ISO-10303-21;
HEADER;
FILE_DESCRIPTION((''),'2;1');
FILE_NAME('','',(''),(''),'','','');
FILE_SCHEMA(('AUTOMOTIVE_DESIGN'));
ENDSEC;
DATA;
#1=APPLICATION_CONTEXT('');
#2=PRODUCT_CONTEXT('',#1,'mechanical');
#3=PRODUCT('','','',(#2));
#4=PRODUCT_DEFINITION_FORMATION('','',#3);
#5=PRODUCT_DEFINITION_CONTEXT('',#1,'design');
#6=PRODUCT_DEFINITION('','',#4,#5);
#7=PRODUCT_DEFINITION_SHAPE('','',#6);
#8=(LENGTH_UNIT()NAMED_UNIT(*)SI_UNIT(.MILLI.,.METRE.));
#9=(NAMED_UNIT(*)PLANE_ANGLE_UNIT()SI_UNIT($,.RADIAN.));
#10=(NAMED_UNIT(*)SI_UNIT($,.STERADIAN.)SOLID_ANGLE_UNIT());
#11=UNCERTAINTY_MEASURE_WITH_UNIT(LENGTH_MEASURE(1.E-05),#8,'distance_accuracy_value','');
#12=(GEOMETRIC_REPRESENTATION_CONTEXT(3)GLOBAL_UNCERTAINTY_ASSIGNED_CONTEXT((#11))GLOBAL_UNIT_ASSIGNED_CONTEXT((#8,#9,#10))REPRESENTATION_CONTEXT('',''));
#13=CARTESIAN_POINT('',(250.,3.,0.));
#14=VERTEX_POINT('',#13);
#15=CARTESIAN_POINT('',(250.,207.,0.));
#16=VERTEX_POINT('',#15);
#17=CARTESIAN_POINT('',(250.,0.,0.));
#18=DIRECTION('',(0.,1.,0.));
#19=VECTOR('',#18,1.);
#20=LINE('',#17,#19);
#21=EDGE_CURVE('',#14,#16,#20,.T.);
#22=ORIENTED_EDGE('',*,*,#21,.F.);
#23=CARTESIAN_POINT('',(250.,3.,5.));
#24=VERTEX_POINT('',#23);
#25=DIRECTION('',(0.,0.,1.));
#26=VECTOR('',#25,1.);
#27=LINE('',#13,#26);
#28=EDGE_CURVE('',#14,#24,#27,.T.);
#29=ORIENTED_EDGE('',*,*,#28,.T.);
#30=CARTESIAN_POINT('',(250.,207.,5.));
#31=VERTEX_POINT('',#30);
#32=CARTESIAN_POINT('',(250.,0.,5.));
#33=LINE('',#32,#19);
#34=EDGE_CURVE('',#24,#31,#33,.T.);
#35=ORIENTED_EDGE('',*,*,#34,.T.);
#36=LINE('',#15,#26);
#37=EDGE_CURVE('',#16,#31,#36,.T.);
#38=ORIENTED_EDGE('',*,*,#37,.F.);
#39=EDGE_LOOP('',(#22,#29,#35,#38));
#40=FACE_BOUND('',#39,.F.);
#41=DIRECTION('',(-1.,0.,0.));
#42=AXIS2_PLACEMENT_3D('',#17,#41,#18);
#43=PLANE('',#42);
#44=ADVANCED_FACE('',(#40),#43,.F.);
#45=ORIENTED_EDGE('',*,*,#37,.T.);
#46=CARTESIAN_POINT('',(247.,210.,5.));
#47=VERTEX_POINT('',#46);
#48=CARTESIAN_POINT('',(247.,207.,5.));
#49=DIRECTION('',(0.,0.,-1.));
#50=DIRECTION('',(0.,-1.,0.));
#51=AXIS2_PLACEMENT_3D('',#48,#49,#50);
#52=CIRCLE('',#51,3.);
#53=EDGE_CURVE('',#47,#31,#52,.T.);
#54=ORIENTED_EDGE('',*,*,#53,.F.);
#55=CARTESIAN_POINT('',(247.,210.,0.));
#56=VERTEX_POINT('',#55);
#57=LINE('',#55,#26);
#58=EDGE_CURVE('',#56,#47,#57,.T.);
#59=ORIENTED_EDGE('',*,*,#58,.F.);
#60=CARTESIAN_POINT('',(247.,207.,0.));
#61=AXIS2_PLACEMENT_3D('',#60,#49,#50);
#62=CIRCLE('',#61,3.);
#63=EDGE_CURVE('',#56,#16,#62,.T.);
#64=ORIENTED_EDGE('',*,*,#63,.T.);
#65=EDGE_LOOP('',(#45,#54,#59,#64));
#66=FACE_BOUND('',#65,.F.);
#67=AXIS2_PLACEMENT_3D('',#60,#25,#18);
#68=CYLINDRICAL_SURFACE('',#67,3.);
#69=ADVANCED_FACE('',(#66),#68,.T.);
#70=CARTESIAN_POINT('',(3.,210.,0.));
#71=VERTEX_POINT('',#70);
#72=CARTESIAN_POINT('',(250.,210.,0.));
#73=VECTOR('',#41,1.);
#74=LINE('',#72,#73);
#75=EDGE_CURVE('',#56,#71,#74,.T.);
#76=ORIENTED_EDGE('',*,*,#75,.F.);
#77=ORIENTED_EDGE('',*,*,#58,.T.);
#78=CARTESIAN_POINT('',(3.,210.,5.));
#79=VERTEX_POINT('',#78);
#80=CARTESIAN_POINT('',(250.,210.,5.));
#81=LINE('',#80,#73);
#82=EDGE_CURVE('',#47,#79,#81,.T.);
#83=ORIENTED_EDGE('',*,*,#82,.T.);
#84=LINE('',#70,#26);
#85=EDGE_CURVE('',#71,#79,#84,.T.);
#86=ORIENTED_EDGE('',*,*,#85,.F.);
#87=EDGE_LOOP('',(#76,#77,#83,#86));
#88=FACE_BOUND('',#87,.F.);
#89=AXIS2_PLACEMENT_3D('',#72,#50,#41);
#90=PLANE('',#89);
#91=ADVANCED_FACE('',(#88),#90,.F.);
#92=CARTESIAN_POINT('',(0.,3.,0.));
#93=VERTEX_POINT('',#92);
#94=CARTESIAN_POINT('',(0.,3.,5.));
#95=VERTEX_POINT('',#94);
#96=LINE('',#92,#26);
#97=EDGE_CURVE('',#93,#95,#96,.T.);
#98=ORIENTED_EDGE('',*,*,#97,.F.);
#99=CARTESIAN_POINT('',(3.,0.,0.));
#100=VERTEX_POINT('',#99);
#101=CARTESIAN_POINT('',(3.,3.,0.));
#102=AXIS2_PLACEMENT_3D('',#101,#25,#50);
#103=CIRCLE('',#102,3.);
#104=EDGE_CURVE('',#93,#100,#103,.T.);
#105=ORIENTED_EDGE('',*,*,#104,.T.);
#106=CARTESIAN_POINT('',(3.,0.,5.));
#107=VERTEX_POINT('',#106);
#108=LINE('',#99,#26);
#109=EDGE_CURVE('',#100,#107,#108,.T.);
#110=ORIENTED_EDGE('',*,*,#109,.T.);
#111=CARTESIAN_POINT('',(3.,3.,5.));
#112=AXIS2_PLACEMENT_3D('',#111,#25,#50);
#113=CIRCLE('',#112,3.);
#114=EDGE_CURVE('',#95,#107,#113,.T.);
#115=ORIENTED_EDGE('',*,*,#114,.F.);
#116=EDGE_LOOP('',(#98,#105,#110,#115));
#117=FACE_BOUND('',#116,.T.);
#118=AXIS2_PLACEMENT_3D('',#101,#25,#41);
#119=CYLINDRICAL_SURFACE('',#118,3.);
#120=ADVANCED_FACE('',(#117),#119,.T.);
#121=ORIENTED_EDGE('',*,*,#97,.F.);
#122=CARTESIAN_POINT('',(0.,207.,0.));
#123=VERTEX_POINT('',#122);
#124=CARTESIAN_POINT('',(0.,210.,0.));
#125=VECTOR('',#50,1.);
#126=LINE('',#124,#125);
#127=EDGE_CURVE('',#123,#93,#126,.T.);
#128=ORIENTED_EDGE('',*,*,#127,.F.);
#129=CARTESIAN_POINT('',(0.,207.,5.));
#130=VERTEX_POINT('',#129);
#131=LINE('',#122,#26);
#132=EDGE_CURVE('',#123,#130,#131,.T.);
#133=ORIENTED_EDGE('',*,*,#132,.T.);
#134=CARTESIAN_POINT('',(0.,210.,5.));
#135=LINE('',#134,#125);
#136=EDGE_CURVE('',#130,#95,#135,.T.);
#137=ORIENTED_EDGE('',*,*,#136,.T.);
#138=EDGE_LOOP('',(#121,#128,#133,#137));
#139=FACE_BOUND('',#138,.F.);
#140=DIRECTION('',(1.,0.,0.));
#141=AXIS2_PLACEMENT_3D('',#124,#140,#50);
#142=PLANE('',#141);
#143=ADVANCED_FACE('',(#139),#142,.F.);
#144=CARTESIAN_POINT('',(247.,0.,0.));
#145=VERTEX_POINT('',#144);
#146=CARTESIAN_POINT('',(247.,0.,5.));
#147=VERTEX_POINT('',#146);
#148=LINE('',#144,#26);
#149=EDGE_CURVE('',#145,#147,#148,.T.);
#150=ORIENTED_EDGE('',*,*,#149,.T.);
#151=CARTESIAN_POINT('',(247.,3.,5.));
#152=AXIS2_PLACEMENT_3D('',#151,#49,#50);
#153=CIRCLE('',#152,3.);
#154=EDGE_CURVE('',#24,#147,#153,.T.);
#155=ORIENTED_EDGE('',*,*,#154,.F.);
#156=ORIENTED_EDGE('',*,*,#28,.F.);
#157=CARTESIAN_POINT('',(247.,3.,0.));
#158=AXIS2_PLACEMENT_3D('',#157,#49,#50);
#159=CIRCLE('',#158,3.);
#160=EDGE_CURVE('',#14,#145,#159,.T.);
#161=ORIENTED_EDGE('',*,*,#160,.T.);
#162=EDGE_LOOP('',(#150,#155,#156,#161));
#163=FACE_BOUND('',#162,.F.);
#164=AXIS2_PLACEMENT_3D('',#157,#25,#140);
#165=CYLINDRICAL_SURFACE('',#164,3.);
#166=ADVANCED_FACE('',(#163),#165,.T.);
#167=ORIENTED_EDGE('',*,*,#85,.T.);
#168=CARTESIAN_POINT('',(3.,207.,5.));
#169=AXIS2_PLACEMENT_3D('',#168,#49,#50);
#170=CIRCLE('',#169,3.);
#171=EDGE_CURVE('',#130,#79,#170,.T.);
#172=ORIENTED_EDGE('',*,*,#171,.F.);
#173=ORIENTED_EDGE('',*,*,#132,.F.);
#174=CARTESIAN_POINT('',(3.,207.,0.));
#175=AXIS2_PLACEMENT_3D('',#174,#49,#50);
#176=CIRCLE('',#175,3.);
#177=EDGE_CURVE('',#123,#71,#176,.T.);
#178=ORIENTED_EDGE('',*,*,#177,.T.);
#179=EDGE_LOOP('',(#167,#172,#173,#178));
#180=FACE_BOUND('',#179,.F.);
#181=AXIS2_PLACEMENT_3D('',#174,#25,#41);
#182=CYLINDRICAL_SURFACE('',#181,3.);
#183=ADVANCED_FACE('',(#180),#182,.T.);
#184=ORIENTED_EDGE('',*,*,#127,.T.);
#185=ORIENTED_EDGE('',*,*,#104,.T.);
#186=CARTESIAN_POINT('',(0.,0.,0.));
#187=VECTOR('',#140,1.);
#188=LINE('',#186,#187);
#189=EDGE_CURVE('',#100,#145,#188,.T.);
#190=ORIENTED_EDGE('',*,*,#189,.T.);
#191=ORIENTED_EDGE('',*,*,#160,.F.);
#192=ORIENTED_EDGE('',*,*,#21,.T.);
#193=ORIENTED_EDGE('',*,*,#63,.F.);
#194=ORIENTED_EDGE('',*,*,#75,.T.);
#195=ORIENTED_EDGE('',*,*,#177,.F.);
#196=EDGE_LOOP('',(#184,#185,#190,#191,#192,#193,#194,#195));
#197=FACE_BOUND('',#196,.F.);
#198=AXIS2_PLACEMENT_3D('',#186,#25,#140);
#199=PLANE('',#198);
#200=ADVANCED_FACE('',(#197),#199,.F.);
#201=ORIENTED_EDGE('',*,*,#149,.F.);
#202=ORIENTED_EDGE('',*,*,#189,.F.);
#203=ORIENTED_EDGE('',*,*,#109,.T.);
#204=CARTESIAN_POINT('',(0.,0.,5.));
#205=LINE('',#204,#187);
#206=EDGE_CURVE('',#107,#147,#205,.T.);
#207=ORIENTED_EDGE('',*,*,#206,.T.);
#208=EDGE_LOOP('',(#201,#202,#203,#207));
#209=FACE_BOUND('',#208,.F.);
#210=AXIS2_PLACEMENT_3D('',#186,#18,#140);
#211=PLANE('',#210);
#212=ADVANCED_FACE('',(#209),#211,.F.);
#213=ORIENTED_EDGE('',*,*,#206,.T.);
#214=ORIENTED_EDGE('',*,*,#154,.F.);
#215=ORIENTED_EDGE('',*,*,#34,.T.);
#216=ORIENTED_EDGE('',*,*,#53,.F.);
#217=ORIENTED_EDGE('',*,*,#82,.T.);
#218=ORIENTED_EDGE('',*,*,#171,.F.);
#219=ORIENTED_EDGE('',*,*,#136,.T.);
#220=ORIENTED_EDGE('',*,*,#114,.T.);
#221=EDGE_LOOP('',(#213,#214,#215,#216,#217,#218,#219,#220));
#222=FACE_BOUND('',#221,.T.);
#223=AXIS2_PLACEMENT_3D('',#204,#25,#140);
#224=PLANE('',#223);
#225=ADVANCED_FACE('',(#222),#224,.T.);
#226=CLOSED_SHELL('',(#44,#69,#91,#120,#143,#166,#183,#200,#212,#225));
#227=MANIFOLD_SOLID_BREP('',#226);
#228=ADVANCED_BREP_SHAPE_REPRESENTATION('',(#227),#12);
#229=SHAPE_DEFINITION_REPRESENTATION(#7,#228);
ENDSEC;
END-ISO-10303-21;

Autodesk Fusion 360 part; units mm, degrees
sketch "Sketch1" plane through (0, 0, 0) normal (0, 0, 1) x (1, 0, 0)
  line L0 (0, 0) -> (250, 0)
  line L1 (250, 0) -> (250, 210)
  line L2 (250, 210) -> (0, 210)
  line L3 (0, 210) -> (0, 0)
  dimension "d1" = 250
  dimension "d2" = 210
extrude "Extrude1" add sketch "Sketch1" along normal blind 5
fillet "Fillet1" radius 3 4 edges at (0, 0, 2.5) (0, 210, 2.5) (250, 210, 2.5) (250, 0, 2.5)
